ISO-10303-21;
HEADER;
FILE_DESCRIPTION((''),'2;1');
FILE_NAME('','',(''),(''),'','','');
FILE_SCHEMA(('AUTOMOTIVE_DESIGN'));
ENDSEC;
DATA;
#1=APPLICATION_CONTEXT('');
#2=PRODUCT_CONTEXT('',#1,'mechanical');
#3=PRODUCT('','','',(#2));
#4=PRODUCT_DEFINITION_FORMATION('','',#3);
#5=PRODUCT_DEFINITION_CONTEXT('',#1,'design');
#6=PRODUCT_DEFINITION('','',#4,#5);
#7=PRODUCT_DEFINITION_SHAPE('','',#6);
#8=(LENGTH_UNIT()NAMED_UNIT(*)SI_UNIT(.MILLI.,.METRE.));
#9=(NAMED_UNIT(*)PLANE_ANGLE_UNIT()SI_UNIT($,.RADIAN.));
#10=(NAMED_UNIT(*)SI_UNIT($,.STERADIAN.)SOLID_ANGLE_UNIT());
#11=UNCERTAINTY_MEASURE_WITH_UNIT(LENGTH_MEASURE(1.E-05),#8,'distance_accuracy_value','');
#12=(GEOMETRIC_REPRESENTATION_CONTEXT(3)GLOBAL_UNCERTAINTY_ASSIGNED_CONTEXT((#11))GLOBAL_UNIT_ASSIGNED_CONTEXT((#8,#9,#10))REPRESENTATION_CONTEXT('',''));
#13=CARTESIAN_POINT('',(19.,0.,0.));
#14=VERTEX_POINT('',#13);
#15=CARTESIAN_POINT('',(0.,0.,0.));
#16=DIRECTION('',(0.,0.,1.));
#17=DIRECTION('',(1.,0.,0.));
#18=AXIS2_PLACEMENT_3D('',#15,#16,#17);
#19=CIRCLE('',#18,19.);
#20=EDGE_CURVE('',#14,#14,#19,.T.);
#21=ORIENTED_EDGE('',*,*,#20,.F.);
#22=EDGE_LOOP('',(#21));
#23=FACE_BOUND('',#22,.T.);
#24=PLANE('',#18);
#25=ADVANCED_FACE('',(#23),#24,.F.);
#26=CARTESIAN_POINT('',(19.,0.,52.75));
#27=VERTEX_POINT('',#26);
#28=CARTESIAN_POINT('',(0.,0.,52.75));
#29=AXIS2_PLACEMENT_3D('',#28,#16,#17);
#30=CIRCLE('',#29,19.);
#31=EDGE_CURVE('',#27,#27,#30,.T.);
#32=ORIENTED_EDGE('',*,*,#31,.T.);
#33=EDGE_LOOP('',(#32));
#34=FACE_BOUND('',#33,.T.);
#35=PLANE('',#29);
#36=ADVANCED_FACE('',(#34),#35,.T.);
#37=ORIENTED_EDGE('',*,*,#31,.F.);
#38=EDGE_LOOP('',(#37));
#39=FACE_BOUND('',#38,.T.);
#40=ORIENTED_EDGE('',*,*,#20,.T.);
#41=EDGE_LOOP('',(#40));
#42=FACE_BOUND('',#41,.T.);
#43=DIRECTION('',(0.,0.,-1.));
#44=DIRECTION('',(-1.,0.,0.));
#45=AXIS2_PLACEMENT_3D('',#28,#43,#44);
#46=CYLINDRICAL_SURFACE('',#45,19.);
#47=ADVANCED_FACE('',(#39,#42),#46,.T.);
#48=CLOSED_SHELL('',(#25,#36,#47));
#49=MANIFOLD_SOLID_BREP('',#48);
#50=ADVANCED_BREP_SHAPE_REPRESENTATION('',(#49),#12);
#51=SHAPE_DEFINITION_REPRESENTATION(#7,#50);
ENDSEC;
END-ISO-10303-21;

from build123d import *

# Parameters (mm, degrees)
SKETCH_1_R      = 19
EXTRUDE_1_DEPTH = 52.75


with BuildPart() as part:
    # 草图1 → 凸台-拉伸1 (new body)
    with BuildSketch(Plane.XY):
        Circle(SKETCH_1_R)
    extrude(amount=EXTRUDE_1_DEPTH)


solid = part.part
